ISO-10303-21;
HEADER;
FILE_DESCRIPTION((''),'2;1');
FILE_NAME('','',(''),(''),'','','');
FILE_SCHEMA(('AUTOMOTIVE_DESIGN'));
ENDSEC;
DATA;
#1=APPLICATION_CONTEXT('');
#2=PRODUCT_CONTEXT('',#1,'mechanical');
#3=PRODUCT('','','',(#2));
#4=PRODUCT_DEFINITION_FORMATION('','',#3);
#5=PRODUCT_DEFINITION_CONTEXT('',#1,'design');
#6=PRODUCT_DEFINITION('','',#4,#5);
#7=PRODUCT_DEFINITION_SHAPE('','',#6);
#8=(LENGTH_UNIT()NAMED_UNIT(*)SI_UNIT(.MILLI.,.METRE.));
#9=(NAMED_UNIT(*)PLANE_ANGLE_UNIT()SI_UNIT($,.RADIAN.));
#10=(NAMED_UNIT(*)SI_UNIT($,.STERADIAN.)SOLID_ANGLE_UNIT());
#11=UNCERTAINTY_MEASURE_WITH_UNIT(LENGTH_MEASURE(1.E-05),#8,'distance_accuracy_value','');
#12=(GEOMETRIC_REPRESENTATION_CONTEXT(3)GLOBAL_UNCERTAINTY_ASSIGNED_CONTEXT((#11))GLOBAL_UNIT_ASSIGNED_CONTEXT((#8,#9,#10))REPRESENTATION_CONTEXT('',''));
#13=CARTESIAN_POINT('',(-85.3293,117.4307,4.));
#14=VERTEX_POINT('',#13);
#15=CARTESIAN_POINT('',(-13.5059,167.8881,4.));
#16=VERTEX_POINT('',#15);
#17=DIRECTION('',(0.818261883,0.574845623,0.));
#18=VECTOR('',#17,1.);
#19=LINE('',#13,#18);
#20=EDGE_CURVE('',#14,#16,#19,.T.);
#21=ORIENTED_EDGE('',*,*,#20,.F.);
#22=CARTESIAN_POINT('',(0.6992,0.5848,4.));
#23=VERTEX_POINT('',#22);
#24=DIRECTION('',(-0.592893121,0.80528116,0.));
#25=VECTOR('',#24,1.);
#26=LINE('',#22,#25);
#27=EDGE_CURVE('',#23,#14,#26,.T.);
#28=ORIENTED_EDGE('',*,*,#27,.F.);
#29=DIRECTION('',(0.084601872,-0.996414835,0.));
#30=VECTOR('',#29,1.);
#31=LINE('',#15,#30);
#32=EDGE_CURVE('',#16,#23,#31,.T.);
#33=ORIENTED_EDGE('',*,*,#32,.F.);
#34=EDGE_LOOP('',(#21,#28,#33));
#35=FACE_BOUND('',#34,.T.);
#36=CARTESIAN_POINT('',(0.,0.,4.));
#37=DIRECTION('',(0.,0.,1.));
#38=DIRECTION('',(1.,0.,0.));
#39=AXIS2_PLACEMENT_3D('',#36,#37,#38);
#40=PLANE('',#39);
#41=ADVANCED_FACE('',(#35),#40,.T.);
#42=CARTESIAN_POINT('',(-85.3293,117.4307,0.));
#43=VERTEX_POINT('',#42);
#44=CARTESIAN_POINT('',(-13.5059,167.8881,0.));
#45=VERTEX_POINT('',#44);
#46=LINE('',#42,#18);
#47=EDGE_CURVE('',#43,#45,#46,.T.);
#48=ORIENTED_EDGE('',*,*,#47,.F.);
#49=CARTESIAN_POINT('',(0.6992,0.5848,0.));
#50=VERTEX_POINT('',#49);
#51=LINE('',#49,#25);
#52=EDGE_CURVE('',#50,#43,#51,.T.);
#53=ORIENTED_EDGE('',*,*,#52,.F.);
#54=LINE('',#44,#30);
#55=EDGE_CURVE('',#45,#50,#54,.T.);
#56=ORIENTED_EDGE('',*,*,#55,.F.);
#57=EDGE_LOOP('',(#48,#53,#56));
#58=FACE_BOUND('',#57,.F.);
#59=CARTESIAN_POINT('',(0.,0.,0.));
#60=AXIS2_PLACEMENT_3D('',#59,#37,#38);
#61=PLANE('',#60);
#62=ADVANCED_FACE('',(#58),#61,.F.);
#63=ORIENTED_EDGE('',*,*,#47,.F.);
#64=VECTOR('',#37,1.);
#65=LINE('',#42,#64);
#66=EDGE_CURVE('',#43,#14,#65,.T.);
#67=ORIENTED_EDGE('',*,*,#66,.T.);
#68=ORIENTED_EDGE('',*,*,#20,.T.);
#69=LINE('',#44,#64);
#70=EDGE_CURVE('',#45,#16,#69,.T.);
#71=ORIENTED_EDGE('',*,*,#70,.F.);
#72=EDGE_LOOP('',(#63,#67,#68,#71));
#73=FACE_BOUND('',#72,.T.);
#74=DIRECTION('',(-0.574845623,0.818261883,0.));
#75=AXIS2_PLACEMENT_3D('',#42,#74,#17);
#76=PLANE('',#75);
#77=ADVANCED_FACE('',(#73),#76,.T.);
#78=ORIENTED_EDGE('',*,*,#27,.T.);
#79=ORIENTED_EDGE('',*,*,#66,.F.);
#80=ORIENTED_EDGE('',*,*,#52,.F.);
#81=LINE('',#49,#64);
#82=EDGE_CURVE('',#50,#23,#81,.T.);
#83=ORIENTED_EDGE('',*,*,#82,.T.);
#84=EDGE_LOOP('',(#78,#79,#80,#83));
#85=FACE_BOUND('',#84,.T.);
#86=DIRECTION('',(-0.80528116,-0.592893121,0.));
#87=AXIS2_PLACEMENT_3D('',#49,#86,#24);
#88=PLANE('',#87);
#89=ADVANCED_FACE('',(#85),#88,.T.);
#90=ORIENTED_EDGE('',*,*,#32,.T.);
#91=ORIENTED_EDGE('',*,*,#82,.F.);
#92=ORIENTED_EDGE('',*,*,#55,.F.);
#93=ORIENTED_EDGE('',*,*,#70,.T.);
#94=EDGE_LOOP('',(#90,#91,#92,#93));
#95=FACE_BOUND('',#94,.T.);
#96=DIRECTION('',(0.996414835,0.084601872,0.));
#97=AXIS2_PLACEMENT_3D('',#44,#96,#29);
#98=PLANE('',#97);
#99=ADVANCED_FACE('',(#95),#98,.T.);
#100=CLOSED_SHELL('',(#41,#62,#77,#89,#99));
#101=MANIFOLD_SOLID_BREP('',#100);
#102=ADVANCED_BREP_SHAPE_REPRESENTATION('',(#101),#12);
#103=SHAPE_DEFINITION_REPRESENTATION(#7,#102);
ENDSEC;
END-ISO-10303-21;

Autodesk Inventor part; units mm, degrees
ref_plane "YZ Plane" through (0, 0, 0) normal (1, 0, 0) x (0, 1, 0)
ref_plane "XZ Plane" through (0, 0, 0) normal (0, 1, 0) x (-1, 0, 0)
ref_plane "XY Plane" through (0, 0, 0) normal (0, 0, 1) x (1, 0, 0)
sketch "Sketch1" plane through (0, 0, 0) normal (0, 0, 1) x (1, 0, 0)
  line L0 (-85.3293, 117.4307) -> (-13.5059, 167.8881)
  line L1 (-13.5059, 167.8881) -> (0.6992, 0.5848)
  line L2 (0.6992, 0.5848) -> (-85.3293, 117.4307)
  line L3 (-123.08, 47.6293) -> (-85.3293, 117.4307)
  line L4 (-123.4672, 47.5555) -> (0.6992, 0.5848)
  point P0 (0, 0)
  point P1 (0.6992, 0.5848)
  point P2 (-13.5059, 167.8881)
extrude "Extrusion1" add sketch "Sketch1" along normal blind 4
properties part number "2"
